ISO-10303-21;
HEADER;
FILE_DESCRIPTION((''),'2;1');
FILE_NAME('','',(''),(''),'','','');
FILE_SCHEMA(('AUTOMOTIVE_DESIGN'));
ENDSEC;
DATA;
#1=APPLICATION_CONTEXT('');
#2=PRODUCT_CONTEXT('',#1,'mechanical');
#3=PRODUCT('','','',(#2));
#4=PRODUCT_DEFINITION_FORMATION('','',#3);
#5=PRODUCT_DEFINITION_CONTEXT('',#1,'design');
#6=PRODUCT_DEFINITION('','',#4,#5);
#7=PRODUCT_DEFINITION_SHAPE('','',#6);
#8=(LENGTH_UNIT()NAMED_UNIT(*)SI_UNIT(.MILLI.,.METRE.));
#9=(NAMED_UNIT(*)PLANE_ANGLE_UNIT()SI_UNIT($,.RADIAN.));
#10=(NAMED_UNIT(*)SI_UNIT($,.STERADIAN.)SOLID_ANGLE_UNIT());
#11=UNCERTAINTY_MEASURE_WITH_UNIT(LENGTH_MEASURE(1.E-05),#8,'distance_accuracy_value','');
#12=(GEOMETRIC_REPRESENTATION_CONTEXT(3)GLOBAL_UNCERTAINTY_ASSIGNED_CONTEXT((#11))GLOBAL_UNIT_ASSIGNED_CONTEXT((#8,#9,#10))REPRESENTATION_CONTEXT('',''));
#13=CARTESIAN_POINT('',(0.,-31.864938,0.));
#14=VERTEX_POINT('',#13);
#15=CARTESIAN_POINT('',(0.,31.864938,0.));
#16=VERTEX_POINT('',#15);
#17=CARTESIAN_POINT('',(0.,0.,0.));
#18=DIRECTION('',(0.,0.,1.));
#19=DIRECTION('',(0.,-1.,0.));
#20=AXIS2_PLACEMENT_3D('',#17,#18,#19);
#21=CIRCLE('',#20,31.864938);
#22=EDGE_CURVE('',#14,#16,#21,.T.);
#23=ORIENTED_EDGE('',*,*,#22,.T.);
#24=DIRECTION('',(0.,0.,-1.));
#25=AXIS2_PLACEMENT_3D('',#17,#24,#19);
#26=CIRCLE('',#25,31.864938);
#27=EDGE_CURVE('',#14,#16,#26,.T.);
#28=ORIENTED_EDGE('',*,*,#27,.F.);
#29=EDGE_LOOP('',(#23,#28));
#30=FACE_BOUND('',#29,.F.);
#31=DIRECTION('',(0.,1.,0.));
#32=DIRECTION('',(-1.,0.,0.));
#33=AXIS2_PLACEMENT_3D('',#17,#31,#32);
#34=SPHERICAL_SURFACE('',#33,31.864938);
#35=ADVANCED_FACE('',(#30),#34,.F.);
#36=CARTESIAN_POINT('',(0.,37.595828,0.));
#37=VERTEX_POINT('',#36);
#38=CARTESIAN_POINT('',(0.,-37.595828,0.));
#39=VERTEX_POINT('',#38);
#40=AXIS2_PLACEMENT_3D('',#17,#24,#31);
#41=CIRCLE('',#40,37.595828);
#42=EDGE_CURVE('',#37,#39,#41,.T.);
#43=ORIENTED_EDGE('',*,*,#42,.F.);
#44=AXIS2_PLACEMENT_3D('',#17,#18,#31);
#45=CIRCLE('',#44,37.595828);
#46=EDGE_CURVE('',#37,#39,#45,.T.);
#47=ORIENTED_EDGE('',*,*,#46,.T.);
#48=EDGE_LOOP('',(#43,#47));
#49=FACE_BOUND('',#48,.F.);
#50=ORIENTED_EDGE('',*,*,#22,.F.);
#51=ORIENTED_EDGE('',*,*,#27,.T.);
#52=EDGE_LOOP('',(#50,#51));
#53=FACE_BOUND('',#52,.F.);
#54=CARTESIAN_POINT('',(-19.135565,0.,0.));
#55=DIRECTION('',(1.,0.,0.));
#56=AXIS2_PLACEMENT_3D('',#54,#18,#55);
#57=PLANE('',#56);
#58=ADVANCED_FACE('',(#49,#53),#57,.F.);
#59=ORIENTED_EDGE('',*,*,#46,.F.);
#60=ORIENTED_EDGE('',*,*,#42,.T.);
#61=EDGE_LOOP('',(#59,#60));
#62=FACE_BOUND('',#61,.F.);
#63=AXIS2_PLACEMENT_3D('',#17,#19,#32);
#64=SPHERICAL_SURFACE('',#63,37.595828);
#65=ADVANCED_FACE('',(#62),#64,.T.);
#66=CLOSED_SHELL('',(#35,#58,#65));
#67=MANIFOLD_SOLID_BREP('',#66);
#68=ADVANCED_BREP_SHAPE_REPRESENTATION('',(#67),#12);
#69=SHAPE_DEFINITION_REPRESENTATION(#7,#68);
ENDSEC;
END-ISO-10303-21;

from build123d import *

# Parameters (mm, degrees)
F1_ANGLE = 180


with BuildPart() as f1:
    # F0 (on Top) → F1 (revolve)
    with BuildSketch(Plane.XY):
        with BuildLine():
            Line((0, 31.864938), (0, 37.595828))
            ThreePointArc((0, 37.595828), (-37.595828, 0), (0, -37.595828))
            Line((0, -37.595828), (0, -31.864938))
            ThreePointArc((0, -31.864938), (-31.864938, 0), (0, 31.864938))
        make_face()
    revolve(axis=Axis((0, 0, 0), (0, 1, 0)), revolution_arc=F1_ANGLE)


solid = f1.part
